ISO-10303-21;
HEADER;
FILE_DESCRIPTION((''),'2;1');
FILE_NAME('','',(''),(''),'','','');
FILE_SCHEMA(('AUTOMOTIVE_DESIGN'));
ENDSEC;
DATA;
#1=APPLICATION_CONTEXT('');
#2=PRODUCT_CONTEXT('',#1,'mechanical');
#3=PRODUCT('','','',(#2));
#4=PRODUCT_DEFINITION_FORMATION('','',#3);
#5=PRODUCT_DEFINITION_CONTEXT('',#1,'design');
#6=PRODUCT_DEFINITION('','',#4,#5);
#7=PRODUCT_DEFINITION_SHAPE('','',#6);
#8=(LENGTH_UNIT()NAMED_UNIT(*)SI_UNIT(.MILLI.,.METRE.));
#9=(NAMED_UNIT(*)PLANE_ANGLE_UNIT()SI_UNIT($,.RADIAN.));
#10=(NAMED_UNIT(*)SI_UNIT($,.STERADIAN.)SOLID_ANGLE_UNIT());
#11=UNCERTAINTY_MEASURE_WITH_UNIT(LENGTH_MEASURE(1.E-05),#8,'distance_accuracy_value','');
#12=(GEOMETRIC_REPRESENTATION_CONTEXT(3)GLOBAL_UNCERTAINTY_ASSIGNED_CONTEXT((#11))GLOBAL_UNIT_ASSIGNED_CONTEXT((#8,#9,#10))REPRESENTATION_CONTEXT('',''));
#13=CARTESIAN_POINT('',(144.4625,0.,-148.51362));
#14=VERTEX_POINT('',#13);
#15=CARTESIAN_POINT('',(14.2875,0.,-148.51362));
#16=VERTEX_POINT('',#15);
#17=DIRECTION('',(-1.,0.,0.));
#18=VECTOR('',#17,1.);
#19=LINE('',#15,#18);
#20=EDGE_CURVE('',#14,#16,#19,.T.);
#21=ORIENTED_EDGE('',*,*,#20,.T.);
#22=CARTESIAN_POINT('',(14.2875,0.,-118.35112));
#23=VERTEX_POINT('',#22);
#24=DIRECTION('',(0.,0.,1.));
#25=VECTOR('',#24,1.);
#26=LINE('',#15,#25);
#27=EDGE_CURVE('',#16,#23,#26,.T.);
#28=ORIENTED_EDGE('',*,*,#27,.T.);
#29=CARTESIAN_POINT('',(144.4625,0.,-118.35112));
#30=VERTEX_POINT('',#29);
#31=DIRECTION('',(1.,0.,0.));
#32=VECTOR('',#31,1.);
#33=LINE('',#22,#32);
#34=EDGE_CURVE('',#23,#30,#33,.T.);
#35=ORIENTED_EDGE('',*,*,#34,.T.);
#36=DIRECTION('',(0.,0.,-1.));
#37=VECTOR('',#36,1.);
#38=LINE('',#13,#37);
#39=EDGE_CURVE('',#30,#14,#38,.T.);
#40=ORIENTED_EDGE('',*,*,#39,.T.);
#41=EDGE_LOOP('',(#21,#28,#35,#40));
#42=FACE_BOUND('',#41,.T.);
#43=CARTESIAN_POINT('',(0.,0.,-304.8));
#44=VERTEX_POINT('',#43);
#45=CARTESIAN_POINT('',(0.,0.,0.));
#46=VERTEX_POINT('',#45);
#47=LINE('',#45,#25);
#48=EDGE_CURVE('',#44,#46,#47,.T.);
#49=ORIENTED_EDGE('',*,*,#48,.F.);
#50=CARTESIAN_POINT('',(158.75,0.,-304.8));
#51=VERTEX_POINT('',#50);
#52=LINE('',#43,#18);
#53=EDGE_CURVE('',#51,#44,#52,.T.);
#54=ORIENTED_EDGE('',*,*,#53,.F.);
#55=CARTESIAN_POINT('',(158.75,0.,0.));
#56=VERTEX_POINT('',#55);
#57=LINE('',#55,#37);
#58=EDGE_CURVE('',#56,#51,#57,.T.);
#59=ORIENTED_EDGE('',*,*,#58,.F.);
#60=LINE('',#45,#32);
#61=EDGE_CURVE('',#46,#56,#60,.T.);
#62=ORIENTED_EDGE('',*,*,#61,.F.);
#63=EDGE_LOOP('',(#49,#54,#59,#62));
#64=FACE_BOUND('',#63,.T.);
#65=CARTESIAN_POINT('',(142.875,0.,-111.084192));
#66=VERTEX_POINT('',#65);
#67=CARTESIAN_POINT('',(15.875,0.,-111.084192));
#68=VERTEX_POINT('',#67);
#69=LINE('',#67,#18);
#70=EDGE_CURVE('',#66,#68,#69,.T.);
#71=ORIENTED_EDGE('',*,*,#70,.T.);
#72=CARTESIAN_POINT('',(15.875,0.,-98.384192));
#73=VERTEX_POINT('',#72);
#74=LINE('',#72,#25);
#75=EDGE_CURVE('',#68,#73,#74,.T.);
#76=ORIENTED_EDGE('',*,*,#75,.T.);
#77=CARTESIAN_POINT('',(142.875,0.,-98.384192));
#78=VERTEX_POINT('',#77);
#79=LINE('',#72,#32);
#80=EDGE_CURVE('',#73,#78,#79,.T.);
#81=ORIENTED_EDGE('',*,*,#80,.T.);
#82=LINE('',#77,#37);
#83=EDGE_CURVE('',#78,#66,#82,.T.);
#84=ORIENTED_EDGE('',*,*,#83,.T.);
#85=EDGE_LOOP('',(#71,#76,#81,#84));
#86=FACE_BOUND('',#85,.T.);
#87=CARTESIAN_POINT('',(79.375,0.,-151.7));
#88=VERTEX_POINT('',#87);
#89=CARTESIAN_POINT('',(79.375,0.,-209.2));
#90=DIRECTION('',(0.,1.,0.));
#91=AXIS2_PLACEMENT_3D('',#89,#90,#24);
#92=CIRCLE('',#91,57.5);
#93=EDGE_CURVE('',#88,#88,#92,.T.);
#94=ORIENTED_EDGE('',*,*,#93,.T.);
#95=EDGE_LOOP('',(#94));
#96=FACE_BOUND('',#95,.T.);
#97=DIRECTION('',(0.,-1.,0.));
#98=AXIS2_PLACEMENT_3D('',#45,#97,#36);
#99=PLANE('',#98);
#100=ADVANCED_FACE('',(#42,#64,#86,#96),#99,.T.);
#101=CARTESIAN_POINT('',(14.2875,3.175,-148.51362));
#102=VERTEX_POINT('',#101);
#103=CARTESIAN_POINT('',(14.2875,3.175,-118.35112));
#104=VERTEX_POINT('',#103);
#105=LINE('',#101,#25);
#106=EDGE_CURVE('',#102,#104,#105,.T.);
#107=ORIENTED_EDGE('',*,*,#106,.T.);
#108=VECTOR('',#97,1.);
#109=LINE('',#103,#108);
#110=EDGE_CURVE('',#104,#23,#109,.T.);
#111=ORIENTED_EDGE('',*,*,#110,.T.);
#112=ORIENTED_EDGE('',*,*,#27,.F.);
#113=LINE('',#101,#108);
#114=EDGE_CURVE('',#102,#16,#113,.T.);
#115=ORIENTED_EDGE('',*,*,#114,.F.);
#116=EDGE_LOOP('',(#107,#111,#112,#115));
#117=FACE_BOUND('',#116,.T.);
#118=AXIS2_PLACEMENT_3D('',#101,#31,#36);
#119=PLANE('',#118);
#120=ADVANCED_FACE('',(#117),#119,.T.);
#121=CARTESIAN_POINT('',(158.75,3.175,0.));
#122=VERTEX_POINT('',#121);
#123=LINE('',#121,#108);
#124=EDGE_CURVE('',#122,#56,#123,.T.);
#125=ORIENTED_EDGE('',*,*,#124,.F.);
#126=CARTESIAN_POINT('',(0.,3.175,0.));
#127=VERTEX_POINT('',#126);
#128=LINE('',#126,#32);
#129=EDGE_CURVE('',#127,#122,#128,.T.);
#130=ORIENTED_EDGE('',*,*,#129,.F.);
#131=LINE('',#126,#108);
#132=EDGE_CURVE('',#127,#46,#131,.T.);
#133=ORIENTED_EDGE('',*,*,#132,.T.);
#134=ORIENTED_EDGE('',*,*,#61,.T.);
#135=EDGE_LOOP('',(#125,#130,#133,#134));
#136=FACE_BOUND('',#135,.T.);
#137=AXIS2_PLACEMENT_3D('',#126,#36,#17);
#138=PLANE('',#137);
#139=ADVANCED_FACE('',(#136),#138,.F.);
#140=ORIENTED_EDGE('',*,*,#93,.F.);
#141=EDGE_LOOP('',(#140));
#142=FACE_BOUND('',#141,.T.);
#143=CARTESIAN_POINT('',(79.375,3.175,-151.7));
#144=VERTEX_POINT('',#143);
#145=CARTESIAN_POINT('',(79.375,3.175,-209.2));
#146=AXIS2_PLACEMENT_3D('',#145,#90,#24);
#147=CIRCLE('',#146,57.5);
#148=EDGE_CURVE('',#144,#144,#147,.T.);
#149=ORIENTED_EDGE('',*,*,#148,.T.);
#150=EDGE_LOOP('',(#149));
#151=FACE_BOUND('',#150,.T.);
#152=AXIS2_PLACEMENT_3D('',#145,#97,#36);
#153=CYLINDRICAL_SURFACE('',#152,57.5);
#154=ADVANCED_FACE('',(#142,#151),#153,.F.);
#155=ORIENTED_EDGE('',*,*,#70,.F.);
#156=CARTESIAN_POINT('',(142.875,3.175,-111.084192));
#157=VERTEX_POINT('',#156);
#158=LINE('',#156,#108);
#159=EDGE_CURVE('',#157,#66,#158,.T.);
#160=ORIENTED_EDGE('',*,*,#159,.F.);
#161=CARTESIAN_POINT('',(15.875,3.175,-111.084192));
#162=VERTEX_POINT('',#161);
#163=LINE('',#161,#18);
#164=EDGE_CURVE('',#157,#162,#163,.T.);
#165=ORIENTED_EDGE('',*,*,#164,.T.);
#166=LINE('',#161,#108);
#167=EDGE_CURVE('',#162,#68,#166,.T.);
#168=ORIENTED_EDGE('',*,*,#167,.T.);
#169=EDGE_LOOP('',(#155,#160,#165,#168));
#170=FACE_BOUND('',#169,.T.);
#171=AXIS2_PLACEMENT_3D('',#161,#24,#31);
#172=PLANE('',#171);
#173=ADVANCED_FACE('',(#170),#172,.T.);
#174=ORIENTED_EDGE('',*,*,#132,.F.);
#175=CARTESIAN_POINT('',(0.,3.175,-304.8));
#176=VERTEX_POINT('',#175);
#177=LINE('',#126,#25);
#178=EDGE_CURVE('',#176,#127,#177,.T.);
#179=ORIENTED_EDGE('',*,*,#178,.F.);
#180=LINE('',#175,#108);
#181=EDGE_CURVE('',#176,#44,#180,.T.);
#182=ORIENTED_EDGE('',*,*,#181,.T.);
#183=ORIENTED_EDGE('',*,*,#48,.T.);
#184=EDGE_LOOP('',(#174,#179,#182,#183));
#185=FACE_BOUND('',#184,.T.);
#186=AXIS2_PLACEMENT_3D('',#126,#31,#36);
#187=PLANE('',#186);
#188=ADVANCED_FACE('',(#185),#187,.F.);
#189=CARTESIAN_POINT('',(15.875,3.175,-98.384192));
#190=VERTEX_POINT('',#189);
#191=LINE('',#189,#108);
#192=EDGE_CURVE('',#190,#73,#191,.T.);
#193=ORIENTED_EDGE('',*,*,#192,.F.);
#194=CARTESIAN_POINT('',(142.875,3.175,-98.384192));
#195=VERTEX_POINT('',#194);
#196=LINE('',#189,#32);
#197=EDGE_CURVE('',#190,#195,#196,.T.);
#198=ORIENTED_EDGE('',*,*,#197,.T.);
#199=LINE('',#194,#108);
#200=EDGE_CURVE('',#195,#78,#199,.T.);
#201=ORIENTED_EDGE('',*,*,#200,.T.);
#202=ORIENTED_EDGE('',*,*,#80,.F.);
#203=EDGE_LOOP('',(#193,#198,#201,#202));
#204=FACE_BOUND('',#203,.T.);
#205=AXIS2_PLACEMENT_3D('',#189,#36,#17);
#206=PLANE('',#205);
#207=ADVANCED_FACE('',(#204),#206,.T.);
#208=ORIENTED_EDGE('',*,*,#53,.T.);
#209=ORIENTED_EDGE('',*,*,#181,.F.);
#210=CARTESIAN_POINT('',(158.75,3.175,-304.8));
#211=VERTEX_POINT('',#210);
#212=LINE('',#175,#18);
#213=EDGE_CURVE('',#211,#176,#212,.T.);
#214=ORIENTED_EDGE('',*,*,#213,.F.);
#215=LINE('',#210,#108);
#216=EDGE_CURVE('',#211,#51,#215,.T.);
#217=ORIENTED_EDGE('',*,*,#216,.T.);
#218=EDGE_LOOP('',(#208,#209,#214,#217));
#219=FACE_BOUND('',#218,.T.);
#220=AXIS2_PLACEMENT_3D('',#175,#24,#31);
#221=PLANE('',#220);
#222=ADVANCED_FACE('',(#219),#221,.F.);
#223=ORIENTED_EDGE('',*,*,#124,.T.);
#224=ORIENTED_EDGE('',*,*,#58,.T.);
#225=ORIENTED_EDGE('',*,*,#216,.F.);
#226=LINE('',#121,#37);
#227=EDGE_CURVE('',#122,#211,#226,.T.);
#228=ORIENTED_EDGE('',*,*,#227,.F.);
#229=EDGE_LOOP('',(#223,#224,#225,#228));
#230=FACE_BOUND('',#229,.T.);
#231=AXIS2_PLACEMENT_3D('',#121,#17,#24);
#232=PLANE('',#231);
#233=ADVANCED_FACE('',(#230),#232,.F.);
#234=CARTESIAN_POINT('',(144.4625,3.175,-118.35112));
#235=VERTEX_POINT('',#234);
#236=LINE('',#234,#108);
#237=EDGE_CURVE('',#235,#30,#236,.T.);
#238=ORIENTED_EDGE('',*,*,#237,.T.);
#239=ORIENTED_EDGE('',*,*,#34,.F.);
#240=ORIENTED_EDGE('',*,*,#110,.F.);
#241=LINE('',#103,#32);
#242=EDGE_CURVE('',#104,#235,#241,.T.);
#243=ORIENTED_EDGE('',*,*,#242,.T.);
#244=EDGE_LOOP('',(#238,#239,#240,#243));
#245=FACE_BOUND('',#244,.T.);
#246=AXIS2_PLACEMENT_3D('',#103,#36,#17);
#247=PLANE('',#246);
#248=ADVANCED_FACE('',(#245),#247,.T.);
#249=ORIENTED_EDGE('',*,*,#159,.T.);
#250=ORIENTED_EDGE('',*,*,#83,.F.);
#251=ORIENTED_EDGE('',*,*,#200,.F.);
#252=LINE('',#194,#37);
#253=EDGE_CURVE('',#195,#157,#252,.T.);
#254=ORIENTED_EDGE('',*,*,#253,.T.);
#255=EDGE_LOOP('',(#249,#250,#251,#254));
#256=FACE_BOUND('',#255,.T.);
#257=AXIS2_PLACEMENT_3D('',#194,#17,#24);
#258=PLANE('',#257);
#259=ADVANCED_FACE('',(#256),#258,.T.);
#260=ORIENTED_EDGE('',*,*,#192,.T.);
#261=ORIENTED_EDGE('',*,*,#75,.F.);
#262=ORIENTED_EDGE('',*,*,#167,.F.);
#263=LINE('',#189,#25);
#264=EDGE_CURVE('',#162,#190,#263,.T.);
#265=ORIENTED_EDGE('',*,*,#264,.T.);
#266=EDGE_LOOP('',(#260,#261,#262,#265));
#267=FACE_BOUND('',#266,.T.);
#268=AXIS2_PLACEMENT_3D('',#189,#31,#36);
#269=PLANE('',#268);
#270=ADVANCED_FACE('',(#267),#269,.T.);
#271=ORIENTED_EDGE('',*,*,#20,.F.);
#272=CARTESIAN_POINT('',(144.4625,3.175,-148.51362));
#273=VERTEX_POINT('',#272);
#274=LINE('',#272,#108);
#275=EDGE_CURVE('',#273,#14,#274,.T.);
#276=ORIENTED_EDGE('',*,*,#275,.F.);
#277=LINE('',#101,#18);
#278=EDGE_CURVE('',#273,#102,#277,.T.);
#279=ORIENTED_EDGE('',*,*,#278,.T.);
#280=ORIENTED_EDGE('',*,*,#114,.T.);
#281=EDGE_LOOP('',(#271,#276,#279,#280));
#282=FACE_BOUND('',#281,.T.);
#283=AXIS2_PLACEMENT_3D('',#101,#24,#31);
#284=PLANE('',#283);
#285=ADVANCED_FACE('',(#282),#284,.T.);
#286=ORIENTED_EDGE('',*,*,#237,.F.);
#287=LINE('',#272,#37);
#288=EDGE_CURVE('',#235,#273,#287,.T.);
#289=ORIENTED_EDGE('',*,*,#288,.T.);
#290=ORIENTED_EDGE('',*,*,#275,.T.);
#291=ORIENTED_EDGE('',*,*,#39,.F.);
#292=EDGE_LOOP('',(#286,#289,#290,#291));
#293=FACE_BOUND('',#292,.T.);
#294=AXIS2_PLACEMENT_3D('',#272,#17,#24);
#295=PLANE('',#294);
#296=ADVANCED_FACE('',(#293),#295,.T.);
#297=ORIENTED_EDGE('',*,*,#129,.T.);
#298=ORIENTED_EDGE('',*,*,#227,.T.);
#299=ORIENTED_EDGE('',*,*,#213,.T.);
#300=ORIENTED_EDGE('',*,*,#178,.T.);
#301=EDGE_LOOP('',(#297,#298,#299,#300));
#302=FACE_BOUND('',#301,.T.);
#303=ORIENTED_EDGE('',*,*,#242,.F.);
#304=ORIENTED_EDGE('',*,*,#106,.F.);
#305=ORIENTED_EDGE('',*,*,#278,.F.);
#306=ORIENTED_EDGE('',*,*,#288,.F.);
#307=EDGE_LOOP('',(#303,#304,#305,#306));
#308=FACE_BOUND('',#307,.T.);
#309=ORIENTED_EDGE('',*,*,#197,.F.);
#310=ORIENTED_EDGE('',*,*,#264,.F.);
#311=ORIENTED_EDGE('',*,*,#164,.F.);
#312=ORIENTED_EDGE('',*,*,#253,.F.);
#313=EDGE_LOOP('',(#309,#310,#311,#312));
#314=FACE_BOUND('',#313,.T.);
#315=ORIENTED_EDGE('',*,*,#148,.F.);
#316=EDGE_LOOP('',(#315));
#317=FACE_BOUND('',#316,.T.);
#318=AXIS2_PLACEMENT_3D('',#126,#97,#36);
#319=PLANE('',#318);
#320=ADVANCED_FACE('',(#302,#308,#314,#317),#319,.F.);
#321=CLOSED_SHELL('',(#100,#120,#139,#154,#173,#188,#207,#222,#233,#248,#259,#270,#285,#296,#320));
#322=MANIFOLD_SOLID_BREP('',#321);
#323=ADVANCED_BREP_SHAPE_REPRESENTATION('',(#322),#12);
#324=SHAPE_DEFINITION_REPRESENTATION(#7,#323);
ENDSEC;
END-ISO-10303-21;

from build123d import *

# Parameters (mm, degrees)
SKETCH1_W           = 158.75
SKETCH1_H           = 304.8
SKETCH1_R           = 57.5
SKETCH1_W_2         = 130.175
SKETCH1_H_2         = 30.1625
SKETCH1_W_3         = 127
SKETCH1_H_3         = 12.7
BOSS_EXTRUDE1_DEPTH = 3.175


with BuildPart() as part:
    # Sketch1 → Boss-Extrude1 (new body)
    with BuildSketch(Plane(origin=(0, 0, 0), x_dir=(1, 0, 0), z_dir=(0, 1, 0))):
        with Locations((79.375, 152.4)):
            Rectangle(SKETCH1_W, SKETCH1_H)
        with Locations(Location((79.375, 209.2, 0), (0, 0, 270))):
            Circle(SKETCH1_R, mode=Mode.SUBTRACT)
        with Locations((79.375, 133.432370025)):
            Rectangle(SKETCH1_W_2, SKETCH1_H_2, mode=Mode.SUBTRACT)
        with Locations((79.375, 104.734192112)):
            Rectangle(SKETCH1_W_3, SKETCH1_H_3, mode=Mode.SUBTRACT)
    extrude(amount=BOSS_EXTRUDE1_DEPTH)


solid = part.part
